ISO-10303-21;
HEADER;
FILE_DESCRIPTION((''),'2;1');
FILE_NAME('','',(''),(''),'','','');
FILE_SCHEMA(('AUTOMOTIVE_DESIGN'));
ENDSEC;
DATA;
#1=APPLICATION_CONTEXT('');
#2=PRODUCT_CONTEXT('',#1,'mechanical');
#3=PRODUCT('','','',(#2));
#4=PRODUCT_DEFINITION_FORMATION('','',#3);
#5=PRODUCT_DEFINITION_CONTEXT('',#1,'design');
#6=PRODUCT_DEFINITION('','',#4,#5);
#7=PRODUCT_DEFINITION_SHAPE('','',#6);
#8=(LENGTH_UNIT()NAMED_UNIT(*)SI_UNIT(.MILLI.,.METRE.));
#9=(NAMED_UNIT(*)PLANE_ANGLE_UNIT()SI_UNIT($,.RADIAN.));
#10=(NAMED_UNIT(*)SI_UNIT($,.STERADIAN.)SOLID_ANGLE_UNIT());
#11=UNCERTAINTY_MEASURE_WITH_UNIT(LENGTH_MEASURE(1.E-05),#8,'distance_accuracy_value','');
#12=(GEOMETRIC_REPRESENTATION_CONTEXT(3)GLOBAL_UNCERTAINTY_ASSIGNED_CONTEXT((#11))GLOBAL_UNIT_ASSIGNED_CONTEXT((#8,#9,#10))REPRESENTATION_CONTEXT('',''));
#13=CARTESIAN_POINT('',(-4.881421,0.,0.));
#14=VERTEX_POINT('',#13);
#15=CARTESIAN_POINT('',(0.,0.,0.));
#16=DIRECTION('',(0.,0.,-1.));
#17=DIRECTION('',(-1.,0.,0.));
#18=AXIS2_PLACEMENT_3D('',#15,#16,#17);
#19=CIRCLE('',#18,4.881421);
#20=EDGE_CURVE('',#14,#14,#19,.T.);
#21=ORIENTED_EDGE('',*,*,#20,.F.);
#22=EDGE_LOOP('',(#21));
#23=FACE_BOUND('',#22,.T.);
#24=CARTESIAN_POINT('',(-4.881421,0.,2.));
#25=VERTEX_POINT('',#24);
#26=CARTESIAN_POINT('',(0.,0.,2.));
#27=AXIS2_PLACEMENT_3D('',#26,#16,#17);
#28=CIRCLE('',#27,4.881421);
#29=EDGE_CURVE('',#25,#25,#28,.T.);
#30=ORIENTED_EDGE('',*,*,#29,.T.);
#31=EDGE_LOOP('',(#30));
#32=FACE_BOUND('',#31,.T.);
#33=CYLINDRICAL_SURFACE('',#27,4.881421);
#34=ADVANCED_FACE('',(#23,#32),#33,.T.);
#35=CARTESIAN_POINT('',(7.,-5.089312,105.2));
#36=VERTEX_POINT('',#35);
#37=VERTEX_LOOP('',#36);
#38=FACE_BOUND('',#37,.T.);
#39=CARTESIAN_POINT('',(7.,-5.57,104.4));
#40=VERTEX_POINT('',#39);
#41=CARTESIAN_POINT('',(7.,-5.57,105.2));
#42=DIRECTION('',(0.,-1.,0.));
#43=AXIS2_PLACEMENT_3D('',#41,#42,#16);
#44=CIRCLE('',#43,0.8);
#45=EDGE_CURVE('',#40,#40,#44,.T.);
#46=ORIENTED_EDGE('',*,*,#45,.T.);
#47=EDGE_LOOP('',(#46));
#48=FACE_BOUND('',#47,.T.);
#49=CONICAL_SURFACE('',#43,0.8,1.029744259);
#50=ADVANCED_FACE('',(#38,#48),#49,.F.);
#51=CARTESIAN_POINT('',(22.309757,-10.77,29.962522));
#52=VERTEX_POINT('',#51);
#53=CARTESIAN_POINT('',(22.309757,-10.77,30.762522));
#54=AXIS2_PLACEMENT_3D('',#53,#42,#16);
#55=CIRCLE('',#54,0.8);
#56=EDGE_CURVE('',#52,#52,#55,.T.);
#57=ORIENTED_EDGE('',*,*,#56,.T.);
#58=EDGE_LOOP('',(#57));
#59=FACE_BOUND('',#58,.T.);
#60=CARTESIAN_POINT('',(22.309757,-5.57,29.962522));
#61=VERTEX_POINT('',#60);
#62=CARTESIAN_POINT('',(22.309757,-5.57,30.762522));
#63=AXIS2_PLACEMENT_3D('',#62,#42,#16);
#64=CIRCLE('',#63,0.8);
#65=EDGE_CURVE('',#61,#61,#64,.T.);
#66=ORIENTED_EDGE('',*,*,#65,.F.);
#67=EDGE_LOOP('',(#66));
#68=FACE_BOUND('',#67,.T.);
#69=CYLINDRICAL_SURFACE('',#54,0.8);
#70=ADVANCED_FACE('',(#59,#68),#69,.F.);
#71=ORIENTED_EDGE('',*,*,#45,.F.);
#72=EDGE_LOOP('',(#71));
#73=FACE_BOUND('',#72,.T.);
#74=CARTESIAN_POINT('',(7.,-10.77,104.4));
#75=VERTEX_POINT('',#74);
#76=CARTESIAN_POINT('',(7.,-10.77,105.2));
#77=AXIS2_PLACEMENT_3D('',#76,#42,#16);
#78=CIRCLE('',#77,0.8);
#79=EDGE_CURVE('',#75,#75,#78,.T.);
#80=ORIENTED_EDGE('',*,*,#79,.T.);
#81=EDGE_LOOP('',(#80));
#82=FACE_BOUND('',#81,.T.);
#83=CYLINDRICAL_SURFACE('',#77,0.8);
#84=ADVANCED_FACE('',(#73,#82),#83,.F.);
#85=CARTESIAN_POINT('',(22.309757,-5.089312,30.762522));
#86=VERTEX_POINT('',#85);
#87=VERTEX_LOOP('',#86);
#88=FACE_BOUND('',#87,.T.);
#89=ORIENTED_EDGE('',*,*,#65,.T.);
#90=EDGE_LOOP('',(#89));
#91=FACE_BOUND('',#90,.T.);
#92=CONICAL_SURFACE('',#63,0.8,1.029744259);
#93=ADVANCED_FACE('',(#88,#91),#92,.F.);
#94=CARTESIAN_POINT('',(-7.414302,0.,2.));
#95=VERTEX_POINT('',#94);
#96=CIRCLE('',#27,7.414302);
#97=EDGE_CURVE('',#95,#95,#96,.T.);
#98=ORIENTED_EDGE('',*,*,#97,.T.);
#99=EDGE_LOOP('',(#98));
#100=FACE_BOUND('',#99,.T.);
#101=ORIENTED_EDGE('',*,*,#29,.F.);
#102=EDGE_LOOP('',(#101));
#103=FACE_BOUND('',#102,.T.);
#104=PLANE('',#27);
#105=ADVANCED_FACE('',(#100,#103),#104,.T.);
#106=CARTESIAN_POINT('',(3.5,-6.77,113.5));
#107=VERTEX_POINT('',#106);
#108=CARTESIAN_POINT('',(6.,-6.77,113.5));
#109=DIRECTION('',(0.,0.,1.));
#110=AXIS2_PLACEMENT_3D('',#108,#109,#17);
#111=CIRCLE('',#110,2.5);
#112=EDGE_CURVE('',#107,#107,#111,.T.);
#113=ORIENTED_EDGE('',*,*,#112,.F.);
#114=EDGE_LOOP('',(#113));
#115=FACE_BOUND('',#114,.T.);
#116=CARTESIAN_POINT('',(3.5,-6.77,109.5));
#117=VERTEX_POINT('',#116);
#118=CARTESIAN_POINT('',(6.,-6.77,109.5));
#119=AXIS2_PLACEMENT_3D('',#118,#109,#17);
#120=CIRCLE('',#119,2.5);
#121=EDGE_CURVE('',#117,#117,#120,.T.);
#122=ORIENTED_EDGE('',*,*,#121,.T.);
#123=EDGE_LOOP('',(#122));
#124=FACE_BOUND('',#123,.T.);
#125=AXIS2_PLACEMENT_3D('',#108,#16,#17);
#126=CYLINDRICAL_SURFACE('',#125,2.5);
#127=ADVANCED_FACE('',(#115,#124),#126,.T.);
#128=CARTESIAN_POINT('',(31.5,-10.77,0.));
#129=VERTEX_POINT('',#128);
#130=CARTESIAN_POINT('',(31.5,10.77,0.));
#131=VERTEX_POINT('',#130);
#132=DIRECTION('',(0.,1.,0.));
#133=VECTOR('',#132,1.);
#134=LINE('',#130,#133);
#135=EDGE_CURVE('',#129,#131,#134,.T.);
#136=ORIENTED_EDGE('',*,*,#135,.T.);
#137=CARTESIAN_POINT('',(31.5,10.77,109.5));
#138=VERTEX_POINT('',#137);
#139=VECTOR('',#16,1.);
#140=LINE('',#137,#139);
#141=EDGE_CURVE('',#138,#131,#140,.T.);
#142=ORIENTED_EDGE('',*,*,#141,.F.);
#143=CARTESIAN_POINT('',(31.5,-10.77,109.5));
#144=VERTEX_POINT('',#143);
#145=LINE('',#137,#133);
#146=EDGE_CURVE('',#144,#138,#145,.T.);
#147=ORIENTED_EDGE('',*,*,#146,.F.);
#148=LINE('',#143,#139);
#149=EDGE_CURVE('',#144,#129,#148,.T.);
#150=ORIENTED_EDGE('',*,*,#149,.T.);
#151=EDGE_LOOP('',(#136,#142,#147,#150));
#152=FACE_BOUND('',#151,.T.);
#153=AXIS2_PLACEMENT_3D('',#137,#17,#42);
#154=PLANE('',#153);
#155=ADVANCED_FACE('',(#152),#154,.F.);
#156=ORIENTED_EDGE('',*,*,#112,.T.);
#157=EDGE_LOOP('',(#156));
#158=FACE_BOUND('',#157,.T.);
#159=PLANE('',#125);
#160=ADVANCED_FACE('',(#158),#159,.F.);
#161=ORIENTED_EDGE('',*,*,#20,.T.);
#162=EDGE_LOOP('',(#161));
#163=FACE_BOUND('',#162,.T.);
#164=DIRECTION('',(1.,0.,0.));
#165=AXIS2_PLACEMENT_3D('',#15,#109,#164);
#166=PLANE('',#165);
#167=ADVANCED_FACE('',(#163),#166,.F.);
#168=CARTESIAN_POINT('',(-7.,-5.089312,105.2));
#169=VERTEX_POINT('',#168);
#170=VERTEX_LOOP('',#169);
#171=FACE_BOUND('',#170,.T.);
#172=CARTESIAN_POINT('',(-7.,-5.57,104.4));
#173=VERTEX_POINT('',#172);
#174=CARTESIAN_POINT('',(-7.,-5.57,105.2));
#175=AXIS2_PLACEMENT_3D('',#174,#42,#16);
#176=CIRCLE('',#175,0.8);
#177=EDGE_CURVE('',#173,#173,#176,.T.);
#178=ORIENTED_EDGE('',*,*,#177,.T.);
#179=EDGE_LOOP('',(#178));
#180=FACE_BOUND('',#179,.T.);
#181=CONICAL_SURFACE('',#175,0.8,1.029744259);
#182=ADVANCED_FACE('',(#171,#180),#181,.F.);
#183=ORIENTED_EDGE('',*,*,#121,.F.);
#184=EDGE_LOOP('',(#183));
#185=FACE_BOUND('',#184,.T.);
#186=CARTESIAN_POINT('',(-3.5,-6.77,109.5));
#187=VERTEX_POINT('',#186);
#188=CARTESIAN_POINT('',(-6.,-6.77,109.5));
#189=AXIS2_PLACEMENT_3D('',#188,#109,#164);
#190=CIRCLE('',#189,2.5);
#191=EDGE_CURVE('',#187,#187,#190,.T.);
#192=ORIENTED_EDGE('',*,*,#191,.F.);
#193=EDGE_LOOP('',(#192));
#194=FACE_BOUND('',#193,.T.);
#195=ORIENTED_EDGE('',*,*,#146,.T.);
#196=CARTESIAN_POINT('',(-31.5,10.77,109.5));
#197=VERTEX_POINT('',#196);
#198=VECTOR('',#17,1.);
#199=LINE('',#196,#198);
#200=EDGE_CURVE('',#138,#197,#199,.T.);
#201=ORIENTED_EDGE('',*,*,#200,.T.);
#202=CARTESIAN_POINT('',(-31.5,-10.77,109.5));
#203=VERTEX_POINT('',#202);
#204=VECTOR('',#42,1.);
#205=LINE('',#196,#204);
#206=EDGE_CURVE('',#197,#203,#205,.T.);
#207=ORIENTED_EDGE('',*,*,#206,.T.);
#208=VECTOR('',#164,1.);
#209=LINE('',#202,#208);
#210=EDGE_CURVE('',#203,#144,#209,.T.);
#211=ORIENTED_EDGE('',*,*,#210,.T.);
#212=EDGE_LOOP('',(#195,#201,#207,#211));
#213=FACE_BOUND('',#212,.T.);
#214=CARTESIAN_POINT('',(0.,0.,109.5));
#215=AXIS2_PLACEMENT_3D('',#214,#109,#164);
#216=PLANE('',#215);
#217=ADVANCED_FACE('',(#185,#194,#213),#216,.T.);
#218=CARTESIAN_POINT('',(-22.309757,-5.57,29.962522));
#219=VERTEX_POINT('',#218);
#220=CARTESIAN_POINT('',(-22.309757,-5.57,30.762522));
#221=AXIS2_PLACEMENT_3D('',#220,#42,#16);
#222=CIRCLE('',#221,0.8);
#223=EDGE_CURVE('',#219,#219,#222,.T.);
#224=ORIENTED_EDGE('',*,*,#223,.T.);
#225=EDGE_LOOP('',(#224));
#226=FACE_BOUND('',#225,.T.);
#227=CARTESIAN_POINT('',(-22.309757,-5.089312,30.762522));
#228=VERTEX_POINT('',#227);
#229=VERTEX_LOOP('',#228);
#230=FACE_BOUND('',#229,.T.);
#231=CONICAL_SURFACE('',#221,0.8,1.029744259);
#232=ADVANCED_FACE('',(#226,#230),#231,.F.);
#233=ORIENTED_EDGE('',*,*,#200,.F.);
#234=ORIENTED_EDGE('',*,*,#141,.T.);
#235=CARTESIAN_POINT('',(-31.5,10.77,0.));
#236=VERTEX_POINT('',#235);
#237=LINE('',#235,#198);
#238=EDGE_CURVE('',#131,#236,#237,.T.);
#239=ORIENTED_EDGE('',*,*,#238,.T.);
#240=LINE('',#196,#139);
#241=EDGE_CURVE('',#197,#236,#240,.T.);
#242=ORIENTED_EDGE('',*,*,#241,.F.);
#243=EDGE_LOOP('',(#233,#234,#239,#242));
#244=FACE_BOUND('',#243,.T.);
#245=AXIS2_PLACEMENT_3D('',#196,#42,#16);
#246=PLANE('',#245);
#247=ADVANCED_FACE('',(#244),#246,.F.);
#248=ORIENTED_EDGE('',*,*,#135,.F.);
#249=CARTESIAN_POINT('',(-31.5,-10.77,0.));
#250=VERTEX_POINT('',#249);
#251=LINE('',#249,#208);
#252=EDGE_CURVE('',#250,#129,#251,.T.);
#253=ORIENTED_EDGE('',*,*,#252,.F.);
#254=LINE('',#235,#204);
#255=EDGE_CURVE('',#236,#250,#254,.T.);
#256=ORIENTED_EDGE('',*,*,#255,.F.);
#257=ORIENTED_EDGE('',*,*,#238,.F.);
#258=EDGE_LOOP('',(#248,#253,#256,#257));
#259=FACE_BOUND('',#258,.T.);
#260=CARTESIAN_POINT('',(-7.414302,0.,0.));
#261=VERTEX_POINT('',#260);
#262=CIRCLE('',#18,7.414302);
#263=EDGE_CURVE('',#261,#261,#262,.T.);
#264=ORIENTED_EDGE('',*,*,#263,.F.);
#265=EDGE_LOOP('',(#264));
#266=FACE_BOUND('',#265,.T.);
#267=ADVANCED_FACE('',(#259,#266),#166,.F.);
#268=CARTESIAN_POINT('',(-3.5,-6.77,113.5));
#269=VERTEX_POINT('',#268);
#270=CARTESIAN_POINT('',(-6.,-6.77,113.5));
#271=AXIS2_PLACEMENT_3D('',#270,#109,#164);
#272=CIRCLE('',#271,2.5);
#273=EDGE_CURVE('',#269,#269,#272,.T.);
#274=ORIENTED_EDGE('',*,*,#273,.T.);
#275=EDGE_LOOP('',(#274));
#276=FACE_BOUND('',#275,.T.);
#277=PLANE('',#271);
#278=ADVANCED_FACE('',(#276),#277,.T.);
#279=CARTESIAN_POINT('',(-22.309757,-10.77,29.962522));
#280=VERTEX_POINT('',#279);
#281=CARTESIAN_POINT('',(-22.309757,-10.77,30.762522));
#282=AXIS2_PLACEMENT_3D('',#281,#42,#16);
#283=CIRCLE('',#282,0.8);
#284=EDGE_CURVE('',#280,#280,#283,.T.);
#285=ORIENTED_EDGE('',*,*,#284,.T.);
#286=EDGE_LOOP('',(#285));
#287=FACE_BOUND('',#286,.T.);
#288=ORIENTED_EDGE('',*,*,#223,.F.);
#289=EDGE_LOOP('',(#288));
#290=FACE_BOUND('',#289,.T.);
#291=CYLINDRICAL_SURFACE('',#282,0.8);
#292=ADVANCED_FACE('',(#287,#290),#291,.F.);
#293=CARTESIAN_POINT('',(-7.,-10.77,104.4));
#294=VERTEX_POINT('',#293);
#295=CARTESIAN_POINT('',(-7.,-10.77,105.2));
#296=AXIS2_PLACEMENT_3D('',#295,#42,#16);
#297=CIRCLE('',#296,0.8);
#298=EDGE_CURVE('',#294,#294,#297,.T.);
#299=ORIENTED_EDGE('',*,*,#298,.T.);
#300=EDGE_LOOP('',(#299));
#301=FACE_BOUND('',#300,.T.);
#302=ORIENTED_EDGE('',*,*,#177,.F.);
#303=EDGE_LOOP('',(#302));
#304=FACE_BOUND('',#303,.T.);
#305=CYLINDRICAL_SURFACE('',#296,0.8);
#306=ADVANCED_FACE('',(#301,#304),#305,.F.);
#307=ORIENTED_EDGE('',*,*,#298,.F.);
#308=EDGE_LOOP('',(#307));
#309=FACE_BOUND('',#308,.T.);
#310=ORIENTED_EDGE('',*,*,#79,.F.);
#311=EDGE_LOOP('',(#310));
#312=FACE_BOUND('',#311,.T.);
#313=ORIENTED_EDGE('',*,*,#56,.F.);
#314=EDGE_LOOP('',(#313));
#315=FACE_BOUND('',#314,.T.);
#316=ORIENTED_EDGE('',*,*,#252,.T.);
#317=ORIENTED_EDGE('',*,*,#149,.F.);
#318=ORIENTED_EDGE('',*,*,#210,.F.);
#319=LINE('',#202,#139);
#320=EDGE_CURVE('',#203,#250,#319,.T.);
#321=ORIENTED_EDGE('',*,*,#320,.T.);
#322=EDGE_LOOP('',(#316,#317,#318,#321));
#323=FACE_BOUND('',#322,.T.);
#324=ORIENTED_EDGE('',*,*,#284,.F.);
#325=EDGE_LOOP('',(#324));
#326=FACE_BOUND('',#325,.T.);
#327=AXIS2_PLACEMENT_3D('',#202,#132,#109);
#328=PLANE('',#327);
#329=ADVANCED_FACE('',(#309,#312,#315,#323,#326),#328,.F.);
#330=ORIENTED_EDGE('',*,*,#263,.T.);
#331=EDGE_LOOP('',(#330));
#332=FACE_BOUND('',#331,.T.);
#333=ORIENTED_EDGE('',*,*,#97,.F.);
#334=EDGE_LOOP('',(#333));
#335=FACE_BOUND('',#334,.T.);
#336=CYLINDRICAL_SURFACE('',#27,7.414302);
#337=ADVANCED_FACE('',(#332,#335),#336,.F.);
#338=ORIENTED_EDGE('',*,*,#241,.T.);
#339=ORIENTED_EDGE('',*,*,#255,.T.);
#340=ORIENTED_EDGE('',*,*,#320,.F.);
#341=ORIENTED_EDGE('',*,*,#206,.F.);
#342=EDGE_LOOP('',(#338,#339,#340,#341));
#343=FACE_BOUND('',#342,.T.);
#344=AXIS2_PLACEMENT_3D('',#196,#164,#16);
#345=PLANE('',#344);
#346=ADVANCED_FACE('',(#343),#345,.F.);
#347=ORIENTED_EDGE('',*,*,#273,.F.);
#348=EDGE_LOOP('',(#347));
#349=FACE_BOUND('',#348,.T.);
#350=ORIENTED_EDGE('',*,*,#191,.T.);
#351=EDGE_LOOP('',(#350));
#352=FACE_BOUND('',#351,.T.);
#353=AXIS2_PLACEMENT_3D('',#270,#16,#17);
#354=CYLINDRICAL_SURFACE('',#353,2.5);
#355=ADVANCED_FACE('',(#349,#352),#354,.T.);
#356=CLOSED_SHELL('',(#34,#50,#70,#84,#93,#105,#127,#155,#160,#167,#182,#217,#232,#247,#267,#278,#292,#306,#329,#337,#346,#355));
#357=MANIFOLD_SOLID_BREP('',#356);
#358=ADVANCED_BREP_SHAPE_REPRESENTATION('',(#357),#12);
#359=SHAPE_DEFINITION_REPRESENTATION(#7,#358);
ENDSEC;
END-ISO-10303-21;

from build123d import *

# Parameters (mm, degrees)
SKETCH_1_W             = 63
SKETCH_1_H             = 21.54
EXTRUDE_1_DEPTH        = 109.5
HOLE_WIZARD_M2_1_D     = 1.6
HOLE_WIZARD_M2_1_DEPTH = 5.2
HOLE_WIZARD_M2_1_TIP   = 0.480688495
SKETCH_4_R             = 2.5
EXTRUDE_2_DEPTH        = 4
SKETCH_5_R             = 7.414302321
SKETCH_5_R_2           = 4.881421022
CUT_EXTRUDE_1_DEPTH    = 2


with BuildPart() as part:
    # 草图1 → 凸台-拉伸1 (new body)
    with BuildSketch(Plane.XY):
        Rectangle(SKETCH_1_W, SKETCH_1_H)
    extrude(amount=EXTRUDE_1_DEPTH)

    # M2 螺纹孔1
    with Locations(Plane(origin=(0, -10.77, 0), x_dir=(-1, 0, 0), z_dir=(0, -1, 0))):
        with Locations((7, -105.2), (-7, -105.2), (-22.309756999, -30.762521908), (22.309756999, -30.762521908)):
            Hole(HOLE_WIZARD_M2_1_D / 2, depth=HOLE_WIZARD_M2_1_DEPTH)
            with Locations((0, 0, -(HOLE_WIZARD_M2_1_DEPTH + HOLE_WIZARD_M2_1_TIP / 2))):  # 118° drill point
                Cone(0, HOLE_WIZARD_M2_1_D / 2, HOLE_WIZARD_M2_1_TIP, mode=Mode.SUBTRACT)

    # 草图4 → 凸台-拉伸2 (add)
    with BuildSketch(Plane.XY.offset(109.5)):
        with Locations((-6, -6.77)):
            Circle(SKETCH_4_R)
        with Locations((6, -6.77)):
            Circle(SKETCH_4_R)
    extrude(amount=EXTRUDE_2_DEPTH)

    # 草图5 → 切除-拉伸1 (cut)
    with BuildSketch(Plane(origin=(0, 0, 0), x_dir=(-1, 0, 0), z_dir=(0, 0, -1))):
        Circle(SKETCH_5_R)
        Circle(SKETCH_5_R_2, mode=Mode.SUBTRACT)
    extrude(amount=-CUT_EXTRUDE_1_DEPTH, mode=Mode.SUBTRACT)


solid = part.part
